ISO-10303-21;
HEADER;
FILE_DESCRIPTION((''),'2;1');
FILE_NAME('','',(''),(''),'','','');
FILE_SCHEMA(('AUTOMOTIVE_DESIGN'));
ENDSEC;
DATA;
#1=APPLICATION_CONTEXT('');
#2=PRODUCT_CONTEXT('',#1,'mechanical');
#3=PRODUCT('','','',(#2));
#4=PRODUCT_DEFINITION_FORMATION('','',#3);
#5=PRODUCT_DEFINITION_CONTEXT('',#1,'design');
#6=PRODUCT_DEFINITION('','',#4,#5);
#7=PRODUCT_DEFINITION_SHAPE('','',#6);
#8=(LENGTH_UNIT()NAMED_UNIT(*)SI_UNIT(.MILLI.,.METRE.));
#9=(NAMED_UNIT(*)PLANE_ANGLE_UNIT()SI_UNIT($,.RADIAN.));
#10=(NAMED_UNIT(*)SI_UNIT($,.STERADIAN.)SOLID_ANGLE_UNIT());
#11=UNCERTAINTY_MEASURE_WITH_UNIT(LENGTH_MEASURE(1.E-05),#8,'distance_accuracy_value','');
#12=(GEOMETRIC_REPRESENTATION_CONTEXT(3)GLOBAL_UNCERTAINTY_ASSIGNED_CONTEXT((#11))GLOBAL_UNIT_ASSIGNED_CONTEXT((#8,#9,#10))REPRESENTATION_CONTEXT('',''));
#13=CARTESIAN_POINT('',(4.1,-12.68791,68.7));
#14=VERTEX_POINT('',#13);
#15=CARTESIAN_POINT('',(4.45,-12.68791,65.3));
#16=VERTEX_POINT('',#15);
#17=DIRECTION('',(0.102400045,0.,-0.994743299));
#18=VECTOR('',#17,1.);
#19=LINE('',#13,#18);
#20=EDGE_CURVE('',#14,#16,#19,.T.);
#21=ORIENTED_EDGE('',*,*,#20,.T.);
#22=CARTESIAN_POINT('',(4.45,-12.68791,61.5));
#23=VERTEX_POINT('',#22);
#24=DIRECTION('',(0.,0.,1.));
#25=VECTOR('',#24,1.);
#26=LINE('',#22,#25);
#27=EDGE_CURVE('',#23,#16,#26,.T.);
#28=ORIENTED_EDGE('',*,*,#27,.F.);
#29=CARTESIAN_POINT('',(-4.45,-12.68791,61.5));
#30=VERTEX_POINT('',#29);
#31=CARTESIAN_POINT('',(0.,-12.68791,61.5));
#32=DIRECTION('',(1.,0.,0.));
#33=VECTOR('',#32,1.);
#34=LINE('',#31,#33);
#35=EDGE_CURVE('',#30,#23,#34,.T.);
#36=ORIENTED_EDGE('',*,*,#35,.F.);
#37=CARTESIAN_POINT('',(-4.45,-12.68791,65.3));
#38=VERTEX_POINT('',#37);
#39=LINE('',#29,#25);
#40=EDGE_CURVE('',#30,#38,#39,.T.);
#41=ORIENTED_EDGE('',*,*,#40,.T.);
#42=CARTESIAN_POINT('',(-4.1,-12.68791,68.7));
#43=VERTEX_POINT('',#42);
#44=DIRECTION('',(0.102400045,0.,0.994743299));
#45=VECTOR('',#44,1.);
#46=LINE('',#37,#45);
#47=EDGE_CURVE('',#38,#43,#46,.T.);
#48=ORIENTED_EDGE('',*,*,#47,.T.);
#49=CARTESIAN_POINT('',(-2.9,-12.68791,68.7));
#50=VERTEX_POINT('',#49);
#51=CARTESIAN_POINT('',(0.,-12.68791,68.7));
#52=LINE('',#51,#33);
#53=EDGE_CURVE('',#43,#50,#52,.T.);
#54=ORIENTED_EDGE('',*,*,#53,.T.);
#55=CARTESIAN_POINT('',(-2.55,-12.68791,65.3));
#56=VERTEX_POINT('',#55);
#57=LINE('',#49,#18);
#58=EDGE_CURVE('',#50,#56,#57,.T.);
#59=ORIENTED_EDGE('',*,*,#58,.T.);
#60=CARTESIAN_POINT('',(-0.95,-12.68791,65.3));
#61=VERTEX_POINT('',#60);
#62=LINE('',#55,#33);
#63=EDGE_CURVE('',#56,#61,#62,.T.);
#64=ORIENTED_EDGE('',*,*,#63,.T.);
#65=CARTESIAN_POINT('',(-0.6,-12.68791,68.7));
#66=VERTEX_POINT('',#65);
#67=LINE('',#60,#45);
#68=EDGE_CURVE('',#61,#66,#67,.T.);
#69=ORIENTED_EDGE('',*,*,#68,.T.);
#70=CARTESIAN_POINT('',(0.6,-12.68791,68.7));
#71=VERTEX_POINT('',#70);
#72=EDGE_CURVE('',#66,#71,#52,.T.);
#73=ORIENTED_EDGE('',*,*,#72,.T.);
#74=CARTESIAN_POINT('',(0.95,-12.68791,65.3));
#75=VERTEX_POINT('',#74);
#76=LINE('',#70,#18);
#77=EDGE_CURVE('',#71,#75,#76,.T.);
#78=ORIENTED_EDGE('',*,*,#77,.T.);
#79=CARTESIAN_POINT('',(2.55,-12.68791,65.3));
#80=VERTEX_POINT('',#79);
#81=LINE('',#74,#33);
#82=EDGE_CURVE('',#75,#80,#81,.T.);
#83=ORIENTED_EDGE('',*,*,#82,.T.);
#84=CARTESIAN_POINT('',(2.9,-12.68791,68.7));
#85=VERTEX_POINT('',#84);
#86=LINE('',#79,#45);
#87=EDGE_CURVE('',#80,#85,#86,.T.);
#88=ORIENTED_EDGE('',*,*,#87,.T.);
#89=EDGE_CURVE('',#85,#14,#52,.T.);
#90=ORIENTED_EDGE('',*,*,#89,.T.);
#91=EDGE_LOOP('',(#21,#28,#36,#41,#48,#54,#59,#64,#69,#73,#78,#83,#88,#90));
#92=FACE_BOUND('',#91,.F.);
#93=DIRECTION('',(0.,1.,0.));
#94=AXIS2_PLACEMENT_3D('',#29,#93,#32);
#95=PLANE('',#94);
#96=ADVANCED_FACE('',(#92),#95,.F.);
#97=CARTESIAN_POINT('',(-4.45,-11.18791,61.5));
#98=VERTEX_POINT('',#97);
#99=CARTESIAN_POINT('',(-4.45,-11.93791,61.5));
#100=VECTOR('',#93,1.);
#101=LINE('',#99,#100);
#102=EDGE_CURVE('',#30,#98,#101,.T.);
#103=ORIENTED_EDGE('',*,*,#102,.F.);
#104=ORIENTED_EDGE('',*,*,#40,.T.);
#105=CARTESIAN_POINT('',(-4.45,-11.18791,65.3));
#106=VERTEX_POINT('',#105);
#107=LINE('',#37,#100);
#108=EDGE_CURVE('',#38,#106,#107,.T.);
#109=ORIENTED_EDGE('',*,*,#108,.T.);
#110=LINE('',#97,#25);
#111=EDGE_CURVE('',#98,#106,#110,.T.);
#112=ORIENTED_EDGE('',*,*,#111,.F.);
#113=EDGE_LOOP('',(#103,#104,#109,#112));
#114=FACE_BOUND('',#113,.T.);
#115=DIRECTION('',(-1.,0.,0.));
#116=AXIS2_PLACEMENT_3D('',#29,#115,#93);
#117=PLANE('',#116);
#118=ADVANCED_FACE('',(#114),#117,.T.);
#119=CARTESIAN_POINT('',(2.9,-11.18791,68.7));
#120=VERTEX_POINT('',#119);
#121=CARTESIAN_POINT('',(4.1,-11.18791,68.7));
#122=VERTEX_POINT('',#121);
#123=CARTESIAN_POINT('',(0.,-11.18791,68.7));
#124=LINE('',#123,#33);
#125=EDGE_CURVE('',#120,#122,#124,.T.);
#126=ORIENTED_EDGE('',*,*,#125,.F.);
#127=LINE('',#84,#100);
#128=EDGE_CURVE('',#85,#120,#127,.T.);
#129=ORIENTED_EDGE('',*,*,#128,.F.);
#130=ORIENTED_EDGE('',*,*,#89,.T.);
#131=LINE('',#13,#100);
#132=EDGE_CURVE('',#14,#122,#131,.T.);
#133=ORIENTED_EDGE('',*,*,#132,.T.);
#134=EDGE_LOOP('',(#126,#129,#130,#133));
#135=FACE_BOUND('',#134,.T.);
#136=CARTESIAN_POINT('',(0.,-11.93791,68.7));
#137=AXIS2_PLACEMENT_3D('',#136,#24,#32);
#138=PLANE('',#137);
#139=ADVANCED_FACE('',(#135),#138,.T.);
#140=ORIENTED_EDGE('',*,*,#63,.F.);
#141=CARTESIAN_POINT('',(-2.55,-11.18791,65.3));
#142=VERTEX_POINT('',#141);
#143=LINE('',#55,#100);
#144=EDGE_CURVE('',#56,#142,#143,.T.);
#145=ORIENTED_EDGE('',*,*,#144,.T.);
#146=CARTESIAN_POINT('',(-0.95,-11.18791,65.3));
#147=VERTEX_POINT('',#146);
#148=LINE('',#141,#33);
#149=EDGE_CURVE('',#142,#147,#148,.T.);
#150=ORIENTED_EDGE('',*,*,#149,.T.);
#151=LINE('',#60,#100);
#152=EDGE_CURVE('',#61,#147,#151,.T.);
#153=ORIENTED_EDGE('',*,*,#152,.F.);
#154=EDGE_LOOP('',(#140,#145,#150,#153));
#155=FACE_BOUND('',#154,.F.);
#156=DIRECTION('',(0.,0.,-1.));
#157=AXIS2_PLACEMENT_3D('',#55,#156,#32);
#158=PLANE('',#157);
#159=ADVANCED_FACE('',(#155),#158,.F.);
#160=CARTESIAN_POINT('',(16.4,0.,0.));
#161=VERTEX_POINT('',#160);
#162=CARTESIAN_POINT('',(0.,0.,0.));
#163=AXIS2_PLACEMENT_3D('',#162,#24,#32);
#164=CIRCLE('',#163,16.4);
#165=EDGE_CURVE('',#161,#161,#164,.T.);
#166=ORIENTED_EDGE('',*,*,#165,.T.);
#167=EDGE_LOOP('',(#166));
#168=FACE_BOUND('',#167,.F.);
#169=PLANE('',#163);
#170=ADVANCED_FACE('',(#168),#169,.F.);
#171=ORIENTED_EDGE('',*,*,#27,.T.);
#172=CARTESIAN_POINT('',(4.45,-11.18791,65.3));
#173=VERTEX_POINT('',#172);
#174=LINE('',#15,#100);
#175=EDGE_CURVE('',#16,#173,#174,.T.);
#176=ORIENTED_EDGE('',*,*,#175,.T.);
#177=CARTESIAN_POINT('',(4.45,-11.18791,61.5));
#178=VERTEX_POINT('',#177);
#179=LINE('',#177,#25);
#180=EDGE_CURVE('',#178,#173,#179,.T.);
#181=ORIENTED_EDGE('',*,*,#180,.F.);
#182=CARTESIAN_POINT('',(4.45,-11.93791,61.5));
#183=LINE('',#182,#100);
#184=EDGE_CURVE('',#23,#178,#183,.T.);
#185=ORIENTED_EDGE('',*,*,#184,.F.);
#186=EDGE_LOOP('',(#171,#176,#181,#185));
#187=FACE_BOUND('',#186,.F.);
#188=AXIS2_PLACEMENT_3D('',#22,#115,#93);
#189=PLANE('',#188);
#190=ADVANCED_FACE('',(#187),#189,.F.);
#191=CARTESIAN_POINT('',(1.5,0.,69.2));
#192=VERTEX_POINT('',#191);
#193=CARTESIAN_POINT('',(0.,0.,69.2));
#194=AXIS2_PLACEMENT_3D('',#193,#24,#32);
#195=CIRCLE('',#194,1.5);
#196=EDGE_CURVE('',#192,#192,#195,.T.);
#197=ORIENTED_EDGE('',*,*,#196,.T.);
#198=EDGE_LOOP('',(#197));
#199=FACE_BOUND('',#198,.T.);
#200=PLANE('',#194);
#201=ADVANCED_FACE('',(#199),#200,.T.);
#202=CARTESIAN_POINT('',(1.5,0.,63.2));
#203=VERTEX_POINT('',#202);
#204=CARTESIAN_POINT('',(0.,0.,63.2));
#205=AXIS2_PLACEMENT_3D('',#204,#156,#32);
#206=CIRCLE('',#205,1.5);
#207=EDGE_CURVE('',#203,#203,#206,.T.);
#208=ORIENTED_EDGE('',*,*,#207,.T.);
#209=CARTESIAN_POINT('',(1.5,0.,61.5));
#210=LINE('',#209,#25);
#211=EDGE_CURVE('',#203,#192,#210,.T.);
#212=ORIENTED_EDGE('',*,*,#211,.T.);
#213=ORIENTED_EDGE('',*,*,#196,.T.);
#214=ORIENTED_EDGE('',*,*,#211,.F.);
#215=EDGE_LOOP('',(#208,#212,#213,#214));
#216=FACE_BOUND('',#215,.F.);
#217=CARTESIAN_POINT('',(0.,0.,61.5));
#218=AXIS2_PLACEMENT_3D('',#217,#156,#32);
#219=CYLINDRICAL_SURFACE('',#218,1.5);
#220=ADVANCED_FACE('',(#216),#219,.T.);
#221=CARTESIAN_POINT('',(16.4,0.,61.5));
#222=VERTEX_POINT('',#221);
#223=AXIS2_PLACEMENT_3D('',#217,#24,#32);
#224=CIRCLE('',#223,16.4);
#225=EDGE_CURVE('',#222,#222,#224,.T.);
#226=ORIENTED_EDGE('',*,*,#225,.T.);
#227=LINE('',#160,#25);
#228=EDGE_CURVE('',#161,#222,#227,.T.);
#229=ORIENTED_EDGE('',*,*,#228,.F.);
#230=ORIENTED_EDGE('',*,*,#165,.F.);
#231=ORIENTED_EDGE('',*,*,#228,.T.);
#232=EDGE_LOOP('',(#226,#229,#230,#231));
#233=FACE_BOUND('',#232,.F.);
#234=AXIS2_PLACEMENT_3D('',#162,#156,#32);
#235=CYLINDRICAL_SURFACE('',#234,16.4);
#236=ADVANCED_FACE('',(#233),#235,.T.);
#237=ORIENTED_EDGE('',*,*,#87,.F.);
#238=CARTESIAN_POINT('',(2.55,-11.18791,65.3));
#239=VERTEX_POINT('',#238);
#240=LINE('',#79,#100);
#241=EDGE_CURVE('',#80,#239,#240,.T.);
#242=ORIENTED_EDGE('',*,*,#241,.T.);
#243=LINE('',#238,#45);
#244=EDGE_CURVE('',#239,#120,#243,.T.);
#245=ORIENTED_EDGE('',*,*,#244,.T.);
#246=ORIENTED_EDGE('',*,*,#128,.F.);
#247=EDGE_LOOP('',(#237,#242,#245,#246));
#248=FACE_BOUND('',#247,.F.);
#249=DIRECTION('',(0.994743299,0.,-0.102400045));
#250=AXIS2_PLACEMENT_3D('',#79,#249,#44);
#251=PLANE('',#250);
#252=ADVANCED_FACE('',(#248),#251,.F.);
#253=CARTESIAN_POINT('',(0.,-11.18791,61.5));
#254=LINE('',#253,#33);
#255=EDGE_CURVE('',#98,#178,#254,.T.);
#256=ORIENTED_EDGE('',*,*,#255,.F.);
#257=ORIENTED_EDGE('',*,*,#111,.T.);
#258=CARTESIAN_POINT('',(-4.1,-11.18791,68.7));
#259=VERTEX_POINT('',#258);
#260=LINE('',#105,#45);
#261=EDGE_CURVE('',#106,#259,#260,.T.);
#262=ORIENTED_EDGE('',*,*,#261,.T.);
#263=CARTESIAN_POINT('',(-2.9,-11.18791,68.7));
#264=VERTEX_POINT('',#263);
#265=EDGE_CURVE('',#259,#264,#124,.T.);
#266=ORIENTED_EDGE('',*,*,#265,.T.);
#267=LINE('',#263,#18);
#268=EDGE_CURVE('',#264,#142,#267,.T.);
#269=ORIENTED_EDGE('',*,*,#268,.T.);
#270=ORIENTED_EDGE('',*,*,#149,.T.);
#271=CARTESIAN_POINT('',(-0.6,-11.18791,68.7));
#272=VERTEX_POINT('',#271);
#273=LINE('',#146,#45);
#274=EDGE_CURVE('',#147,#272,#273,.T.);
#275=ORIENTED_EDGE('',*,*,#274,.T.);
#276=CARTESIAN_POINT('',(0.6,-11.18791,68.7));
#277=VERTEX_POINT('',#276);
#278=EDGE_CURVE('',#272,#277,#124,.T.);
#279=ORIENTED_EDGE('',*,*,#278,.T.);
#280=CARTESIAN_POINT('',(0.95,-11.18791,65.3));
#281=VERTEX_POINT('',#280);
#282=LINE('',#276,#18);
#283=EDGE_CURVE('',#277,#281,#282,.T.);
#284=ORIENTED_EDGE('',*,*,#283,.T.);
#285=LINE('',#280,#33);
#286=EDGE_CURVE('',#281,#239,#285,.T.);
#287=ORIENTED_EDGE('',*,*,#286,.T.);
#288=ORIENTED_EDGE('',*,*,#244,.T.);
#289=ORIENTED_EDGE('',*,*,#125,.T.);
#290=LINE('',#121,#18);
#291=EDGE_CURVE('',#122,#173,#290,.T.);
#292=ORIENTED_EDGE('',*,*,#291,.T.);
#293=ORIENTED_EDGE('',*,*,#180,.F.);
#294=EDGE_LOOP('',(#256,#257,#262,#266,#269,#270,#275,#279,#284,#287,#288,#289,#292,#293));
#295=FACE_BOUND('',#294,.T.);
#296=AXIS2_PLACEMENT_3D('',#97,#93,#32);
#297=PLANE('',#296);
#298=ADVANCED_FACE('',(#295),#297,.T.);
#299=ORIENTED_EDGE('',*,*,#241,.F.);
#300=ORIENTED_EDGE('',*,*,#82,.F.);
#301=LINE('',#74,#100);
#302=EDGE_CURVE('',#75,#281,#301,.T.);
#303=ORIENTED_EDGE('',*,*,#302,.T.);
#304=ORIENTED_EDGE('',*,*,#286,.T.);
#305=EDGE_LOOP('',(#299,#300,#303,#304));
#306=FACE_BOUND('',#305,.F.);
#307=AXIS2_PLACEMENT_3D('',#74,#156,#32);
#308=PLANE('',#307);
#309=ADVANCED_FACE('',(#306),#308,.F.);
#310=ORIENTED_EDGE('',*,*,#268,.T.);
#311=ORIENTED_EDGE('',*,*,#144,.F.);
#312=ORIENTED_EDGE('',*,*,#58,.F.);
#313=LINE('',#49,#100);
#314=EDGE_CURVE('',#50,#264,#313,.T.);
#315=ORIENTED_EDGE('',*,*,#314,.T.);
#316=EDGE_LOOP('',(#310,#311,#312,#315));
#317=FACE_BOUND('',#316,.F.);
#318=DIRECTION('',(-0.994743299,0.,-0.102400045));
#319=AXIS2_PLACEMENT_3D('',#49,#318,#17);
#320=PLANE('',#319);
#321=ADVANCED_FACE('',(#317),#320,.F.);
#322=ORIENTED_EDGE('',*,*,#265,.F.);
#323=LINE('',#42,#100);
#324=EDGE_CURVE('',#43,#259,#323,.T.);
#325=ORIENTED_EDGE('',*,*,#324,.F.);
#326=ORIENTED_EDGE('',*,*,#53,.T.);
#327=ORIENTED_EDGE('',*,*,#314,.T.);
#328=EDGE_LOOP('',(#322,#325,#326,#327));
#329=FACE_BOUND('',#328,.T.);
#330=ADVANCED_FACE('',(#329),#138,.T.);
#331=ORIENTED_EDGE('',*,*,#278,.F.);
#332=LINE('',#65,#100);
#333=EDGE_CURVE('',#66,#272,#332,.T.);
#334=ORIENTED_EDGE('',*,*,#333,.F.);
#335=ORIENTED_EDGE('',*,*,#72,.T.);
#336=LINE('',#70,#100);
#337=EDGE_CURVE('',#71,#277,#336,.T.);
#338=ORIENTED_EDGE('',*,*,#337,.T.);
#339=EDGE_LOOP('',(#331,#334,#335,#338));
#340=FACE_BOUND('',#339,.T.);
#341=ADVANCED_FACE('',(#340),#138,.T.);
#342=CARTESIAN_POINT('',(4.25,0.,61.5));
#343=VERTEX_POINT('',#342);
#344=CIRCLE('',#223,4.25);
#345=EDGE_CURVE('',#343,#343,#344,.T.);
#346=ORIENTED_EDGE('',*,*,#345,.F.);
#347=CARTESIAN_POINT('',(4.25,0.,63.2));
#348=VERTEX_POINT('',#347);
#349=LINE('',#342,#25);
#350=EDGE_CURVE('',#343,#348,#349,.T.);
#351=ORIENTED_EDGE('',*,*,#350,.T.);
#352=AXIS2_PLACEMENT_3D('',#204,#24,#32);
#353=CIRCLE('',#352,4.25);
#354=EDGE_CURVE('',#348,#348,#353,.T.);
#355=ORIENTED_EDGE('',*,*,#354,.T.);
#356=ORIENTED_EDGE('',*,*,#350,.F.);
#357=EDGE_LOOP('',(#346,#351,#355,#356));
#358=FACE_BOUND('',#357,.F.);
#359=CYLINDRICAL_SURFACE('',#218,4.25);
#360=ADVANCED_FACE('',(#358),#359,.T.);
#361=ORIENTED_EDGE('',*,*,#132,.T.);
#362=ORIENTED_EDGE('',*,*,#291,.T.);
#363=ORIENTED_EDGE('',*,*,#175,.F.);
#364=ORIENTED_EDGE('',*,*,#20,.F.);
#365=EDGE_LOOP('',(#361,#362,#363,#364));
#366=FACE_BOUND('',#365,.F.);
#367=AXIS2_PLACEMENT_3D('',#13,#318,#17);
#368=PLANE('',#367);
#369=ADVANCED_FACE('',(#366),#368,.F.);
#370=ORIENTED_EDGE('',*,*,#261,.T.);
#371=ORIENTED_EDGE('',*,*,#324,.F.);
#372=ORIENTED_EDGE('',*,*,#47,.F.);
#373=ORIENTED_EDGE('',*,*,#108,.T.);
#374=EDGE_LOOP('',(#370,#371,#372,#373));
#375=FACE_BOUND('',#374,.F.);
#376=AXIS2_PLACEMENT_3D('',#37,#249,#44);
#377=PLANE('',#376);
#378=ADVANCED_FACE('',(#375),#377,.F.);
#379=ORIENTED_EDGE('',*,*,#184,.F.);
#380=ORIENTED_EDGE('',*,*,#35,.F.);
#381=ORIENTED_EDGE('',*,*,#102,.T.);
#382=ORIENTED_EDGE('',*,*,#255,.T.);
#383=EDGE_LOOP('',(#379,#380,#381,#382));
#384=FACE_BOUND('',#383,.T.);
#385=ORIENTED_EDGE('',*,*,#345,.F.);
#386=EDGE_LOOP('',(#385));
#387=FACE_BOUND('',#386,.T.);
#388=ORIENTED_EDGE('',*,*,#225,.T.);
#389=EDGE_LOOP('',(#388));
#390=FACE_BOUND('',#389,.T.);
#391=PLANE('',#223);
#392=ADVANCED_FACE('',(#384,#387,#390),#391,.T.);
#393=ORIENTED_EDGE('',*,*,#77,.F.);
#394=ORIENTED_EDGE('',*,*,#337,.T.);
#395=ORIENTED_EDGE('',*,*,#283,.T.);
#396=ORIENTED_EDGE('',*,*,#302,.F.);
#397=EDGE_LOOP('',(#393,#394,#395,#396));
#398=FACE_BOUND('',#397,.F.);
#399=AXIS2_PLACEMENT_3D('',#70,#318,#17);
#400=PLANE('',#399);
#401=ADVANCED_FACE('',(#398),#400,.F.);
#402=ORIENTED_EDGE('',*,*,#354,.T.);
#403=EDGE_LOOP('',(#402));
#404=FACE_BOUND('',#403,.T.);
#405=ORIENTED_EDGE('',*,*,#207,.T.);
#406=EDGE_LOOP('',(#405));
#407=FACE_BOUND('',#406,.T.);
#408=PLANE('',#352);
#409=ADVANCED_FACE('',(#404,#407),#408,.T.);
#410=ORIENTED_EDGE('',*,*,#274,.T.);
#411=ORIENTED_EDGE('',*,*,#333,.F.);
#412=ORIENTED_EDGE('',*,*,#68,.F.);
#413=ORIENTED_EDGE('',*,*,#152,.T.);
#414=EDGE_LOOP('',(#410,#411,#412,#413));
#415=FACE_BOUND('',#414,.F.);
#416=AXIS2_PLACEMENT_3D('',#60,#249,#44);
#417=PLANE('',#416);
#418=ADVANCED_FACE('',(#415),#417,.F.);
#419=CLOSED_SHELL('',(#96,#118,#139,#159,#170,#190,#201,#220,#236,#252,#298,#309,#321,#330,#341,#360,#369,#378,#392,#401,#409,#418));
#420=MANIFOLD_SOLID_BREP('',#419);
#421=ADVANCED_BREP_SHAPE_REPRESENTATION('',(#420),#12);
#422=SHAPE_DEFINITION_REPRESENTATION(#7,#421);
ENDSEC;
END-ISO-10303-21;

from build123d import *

# Parameters (mm, degrees)
F0_R     = 16.4
F1_DEPTH = 61.5
F2_R     = 1.5
F3_DEPTH = 7.7
F4_R     = 4.25
F5_DEPTH = 1.7
F6_W     = 8.9
F6_H     = 1.5
F7_DEPTH = 7.2
F9_DEPTH = 1.5


with BuildPart() as f1:
    # F0 (on Top) → F1 (new body)
    with BuildSketch(Plane.XY):
        Circle(F0_R)
    extrude(amount=F1_DEPTH)

    # F2 (on face) → F3 (join)
    with BuildSketch(Plane.XY.offset(61.5)):
        Circle(F2_R)
    extrude(amount=F3_DEPTH)

    # F4 (on face) → F5 (join)
    with BuildSketch(Plane.XY.offset(61.5)):
        Circle(F4_R)
    extrude(amount=F5_DEPTH)

    # F6 (on face) → F7 (join)
    with BuildSketch(Plane.XY.offset(61.5)):
        with Locations((0, -11.93791)):
            Rectangle(F6_W, F6_H)
    extrude(amount=F7_DEPTH)

    # F8 (on face) → F9 (cut, through all)
    with BuildSketch(Plane.XZ.offset(12.68791)):
        Polygon((-4.45, 65.3), (-4.1, 68.7), (-4.45, 68.7), align=None)
        Polygon((-0.95, 65.3), (-0.6, 68.7), (-2.9, 68.7), (-2.55, 65.3), align=None)
        Polygon((2.9, 68.7), (0.6, 68.7), (0.95, 65.3), (2.55, 65.3), align=None)
        Polygon((4.45, 68.7), (4.1, 68.7), (4.45, 65.3), align=None)
    extrude(amount=-F9_DEPTH, mode=Mode.SUBTRACT)


solid = f1.part
